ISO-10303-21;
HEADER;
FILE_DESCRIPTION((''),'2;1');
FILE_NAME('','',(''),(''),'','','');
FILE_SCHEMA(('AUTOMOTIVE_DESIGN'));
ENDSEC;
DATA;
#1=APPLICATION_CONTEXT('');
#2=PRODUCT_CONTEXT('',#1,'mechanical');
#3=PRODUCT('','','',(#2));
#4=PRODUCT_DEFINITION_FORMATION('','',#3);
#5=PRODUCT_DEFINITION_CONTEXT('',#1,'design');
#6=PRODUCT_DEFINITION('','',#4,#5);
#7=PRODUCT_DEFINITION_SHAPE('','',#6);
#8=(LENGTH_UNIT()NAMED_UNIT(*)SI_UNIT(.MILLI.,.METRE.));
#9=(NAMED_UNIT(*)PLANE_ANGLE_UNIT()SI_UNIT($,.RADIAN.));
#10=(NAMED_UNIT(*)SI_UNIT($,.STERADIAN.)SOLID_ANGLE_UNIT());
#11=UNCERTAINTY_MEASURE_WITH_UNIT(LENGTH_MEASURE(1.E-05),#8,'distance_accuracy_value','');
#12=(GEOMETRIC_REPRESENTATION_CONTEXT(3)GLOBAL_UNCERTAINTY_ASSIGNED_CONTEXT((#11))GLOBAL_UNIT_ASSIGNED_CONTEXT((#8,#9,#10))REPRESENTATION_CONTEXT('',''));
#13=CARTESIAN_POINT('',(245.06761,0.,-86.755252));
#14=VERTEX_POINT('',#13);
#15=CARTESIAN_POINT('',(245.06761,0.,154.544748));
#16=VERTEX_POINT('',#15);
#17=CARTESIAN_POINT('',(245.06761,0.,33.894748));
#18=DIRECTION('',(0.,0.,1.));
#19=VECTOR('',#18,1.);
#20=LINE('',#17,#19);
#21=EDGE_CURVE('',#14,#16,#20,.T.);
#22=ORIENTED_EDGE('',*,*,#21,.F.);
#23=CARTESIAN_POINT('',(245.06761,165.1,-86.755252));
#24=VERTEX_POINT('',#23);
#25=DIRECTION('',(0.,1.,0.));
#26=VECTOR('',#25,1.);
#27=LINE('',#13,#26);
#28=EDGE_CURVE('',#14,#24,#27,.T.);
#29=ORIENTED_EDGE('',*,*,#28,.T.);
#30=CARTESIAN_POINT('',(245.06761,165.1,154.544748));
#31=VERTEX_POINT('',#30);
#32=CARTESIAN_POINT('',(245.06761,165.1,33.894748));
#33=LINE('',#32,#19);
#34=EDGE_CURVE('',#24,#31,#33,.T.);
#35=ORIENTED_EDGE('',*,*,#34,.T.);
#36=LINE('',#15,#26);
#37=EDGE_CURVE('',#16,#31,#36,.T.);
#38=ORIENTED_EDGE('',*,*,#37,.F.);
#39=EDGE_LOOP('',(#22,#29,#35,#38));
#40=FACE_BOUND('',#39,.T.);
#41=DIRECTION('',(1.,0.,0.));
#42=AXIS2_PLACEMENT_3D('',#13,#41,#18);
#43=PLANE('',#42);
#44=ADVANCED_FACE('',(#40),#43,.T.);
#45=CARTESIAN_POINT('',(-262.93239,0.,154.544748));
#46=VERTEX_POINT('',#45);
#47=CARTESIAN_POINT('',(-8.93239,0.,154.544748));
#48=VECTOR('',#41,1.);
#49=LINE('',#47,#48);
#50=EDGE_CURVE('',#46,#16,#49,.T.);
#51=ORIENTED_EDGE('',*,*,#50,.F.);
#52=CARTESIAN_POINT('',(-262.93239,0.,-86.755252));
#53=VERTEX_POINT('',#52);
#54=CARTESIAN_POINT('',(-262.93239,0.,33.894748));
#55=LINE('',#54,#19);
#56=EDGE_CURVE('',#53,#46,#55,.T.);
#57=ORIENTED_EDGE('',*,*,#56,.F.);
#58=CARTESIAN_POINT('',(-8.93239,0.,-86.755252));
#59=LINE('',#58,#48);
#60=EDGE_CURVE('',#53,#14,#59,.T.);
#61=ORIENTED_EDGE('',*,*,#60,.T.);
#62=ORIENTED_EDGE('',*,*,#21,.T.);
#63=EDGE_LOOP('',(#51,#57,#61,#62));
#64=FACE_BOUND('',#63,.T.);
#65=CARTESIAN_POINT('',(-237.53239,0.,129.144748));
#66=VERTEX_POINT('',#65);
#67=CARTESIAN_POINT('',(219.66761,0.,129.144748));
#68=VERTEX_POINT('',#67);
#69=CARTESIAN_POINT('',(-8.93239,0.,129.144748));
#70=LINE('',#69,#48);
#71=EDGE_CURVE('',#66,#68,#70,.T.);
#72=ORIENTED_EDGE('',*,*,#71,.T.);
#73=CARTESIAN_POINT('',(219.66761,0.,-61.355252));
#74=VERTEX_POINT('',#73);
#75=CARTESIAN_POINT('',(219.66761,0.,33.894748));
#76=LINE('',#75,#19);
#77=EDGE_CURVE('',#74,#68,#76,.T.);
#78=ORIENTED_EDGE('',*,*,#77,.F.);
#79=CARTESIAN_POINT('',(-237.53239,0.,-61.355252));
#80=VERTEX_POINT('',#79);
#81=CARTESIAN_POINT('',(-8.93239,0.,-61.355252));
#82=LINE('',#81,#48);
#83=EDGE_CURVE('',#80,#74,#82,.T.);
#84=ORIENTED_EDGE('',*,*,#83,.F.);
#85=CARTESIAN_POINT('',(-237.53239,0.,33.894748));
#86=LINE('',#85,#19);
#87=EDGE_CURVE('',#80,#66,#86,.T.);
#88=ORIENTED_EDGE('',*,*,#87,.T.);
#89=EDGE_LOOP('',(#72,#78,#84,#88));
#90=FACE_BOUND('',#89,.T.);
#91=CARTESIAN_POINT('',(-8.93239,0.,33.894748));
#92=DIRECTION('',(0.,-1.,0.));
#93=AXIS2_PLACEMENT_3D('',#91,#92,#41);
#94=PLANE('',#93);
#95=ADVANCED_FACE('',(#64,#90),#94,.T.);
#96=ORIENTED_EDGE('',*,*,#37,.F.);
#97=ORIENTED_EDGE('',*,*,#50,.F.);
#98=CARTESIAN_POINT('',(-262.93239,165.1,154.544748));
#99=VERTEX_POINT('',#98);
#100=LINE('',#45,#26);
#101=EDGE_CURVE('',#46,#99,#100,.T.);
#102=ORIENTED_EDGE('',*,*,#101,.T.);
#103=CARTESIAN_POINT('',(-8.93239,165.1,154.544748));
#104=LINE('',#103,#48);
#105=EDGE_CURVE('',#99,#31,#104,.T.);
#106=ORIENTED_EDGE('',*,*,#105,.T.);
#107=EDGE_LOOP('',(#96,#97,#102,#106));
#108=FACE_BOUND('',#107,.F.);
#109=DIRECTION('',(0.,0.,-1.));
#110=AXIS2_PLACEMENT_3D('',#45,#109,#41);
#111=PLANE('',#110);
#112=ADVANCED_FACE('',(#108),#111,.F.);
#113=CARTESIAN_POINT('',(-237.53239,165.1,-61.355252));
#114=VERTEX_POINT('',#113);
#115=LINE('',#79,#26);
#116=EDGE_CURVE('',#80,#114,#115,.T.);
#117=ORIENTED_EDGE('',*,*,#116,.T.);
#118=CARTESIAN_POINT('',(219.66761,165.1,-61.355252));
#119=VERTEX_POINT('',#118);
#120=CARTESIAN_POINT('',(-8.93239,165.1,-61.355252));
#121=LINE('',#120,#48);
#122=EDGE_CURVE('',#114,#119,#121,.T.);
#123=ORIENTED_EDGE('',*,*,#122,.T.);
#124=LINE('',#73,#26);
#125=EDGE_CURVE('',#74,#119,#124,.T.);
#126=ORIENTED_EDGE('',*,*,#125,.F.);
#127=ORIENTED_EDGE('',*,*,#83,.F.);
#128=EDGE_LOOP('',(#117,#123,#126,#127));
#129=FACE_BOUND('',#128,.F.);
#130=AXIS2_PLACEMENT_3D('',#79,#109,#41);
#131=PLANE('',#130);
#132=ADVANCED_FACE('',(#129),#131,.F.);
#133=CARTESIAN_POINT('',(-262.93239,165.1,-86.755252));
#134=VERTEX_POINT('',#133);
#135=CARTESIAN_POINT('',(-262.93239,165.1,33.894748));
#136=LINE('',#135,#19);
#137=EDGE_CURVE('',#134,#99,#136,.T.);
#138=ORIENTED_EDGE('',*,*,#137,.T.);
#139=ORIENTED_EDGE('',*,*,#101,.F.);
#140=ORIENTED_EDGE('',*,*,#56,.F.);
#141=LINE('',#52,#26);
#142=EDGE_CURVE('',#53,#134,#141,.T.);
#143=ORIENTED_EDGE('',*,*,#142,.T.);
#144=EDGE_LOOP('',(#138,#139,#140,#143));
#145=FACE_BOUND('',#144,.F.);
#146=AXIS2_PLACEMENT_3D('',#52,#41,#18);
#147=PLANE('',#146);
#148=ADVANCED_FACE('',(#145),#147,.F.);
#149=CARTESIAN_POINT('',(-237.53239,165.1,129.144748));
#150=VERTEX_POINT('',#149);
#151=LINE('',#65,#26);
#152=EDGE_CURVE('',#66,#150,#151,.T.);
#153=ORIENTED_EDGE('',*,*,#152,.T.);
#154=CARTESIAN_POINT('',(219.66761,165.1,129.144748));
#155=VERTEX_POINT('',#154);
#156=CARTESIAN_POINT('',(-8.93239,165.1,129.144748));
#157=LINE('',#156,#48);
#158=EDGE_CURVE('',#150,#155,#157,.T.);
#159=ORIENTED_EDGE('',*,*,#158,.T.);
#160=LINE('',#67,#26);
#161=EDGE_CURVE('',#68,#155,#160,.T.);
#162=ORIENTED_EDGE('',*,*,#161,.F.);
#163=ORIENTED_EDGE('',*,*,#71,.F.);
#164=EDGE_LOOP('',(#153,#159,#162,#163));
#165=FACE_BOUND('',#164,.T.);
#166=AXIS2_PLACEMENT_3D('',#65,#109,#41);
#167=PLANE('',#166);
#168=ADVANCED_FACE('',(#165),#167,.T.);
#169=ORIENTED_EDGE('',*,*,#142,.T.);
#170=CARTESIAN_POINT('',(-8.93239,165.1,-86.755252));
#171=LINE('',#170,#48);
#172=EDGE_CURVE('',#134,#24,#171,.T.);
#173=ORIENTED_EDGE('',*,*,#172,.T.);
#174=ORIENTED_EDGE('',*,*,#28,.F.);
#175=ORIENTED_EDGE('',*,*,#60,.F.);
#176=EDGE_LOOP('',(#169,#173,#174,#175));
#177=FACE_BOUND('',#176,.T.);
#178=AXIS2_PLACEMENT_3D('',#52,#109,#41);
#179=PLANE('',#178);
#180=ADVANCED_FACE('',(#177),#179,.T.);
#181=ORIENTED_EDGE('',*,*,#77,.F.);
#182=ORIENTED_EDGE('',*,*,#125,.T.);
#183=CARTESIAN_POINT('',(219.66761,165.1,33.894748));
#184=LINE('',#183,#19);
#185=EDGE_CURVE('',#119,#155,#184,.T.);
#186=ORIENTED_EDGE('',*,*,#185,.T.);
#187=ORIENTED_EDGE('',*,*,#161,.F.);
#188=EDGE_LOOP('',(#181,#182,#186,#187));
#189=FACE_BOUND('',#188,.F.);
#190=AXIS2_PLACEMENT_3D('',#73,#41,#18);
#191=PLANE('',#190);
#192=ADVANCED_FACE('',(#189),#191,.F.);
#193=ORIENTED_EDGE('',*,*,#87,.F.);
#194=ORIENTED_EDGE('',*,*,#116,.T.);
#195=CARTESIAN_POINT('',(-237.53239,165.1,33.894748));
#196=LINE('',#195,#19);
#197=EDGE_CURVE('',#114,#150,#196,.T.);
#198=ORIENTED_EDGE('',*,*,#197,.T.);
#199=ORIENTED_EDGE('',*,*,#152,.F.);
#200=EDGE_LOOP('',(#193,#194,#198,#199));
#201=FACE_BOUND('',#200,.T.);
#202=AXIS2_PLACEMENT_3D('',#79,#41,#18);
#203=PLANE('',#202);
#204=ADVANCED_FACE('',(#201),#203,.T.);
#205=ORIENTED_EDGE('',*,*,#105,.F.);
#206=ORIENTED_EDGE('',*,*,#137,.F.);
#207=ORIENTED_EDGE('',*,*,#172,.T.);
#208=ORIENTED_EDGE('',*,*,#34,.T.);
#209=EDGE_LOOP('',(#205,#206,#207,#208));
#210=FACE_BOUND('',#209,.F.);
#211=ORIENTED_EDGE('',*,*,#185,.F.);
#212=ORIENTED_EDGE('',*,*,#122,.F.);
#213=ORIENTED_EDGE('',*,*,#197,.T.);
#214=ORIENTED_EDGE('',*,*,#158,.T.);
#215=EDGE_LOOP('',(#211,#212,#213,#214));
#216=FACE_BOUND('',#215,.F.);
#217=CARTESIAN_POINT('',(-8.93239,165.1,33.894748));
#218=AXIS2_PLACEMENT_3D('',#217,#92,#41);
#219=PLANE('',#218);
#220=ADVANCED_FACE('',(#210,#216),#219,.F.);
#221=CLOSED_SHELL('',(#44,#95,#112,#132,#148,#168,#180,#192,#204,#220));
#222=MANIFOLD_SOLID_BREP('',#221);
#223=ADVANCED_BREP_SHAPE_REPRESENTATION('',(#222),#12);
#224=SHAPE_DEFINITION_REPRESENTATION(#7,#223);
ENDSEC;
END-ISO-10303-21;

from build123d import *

# Parameters (mm, degrees)
F0_W     = 508
F0_H     = 241.3
F0_W_2   = 457.2
F0_H_2   = 190.5
F1_DEPTH = 165.1


with BuildPart() as f1:
    # F0 (on Front) → F1 (new body)
    with BuildSketch(Plane.XZ):
        with Locations((-8.93239, 33.894748)):
            Rectangle(F0_W, F0_H)
        with Locations((-8.93239, 33.894748)):
            Rectangle(F0_W_2, F0_H_2, mode=Mode.SUBTRACT)
    extrude(amount=-F1_DEPTH)


solid = f1.part
